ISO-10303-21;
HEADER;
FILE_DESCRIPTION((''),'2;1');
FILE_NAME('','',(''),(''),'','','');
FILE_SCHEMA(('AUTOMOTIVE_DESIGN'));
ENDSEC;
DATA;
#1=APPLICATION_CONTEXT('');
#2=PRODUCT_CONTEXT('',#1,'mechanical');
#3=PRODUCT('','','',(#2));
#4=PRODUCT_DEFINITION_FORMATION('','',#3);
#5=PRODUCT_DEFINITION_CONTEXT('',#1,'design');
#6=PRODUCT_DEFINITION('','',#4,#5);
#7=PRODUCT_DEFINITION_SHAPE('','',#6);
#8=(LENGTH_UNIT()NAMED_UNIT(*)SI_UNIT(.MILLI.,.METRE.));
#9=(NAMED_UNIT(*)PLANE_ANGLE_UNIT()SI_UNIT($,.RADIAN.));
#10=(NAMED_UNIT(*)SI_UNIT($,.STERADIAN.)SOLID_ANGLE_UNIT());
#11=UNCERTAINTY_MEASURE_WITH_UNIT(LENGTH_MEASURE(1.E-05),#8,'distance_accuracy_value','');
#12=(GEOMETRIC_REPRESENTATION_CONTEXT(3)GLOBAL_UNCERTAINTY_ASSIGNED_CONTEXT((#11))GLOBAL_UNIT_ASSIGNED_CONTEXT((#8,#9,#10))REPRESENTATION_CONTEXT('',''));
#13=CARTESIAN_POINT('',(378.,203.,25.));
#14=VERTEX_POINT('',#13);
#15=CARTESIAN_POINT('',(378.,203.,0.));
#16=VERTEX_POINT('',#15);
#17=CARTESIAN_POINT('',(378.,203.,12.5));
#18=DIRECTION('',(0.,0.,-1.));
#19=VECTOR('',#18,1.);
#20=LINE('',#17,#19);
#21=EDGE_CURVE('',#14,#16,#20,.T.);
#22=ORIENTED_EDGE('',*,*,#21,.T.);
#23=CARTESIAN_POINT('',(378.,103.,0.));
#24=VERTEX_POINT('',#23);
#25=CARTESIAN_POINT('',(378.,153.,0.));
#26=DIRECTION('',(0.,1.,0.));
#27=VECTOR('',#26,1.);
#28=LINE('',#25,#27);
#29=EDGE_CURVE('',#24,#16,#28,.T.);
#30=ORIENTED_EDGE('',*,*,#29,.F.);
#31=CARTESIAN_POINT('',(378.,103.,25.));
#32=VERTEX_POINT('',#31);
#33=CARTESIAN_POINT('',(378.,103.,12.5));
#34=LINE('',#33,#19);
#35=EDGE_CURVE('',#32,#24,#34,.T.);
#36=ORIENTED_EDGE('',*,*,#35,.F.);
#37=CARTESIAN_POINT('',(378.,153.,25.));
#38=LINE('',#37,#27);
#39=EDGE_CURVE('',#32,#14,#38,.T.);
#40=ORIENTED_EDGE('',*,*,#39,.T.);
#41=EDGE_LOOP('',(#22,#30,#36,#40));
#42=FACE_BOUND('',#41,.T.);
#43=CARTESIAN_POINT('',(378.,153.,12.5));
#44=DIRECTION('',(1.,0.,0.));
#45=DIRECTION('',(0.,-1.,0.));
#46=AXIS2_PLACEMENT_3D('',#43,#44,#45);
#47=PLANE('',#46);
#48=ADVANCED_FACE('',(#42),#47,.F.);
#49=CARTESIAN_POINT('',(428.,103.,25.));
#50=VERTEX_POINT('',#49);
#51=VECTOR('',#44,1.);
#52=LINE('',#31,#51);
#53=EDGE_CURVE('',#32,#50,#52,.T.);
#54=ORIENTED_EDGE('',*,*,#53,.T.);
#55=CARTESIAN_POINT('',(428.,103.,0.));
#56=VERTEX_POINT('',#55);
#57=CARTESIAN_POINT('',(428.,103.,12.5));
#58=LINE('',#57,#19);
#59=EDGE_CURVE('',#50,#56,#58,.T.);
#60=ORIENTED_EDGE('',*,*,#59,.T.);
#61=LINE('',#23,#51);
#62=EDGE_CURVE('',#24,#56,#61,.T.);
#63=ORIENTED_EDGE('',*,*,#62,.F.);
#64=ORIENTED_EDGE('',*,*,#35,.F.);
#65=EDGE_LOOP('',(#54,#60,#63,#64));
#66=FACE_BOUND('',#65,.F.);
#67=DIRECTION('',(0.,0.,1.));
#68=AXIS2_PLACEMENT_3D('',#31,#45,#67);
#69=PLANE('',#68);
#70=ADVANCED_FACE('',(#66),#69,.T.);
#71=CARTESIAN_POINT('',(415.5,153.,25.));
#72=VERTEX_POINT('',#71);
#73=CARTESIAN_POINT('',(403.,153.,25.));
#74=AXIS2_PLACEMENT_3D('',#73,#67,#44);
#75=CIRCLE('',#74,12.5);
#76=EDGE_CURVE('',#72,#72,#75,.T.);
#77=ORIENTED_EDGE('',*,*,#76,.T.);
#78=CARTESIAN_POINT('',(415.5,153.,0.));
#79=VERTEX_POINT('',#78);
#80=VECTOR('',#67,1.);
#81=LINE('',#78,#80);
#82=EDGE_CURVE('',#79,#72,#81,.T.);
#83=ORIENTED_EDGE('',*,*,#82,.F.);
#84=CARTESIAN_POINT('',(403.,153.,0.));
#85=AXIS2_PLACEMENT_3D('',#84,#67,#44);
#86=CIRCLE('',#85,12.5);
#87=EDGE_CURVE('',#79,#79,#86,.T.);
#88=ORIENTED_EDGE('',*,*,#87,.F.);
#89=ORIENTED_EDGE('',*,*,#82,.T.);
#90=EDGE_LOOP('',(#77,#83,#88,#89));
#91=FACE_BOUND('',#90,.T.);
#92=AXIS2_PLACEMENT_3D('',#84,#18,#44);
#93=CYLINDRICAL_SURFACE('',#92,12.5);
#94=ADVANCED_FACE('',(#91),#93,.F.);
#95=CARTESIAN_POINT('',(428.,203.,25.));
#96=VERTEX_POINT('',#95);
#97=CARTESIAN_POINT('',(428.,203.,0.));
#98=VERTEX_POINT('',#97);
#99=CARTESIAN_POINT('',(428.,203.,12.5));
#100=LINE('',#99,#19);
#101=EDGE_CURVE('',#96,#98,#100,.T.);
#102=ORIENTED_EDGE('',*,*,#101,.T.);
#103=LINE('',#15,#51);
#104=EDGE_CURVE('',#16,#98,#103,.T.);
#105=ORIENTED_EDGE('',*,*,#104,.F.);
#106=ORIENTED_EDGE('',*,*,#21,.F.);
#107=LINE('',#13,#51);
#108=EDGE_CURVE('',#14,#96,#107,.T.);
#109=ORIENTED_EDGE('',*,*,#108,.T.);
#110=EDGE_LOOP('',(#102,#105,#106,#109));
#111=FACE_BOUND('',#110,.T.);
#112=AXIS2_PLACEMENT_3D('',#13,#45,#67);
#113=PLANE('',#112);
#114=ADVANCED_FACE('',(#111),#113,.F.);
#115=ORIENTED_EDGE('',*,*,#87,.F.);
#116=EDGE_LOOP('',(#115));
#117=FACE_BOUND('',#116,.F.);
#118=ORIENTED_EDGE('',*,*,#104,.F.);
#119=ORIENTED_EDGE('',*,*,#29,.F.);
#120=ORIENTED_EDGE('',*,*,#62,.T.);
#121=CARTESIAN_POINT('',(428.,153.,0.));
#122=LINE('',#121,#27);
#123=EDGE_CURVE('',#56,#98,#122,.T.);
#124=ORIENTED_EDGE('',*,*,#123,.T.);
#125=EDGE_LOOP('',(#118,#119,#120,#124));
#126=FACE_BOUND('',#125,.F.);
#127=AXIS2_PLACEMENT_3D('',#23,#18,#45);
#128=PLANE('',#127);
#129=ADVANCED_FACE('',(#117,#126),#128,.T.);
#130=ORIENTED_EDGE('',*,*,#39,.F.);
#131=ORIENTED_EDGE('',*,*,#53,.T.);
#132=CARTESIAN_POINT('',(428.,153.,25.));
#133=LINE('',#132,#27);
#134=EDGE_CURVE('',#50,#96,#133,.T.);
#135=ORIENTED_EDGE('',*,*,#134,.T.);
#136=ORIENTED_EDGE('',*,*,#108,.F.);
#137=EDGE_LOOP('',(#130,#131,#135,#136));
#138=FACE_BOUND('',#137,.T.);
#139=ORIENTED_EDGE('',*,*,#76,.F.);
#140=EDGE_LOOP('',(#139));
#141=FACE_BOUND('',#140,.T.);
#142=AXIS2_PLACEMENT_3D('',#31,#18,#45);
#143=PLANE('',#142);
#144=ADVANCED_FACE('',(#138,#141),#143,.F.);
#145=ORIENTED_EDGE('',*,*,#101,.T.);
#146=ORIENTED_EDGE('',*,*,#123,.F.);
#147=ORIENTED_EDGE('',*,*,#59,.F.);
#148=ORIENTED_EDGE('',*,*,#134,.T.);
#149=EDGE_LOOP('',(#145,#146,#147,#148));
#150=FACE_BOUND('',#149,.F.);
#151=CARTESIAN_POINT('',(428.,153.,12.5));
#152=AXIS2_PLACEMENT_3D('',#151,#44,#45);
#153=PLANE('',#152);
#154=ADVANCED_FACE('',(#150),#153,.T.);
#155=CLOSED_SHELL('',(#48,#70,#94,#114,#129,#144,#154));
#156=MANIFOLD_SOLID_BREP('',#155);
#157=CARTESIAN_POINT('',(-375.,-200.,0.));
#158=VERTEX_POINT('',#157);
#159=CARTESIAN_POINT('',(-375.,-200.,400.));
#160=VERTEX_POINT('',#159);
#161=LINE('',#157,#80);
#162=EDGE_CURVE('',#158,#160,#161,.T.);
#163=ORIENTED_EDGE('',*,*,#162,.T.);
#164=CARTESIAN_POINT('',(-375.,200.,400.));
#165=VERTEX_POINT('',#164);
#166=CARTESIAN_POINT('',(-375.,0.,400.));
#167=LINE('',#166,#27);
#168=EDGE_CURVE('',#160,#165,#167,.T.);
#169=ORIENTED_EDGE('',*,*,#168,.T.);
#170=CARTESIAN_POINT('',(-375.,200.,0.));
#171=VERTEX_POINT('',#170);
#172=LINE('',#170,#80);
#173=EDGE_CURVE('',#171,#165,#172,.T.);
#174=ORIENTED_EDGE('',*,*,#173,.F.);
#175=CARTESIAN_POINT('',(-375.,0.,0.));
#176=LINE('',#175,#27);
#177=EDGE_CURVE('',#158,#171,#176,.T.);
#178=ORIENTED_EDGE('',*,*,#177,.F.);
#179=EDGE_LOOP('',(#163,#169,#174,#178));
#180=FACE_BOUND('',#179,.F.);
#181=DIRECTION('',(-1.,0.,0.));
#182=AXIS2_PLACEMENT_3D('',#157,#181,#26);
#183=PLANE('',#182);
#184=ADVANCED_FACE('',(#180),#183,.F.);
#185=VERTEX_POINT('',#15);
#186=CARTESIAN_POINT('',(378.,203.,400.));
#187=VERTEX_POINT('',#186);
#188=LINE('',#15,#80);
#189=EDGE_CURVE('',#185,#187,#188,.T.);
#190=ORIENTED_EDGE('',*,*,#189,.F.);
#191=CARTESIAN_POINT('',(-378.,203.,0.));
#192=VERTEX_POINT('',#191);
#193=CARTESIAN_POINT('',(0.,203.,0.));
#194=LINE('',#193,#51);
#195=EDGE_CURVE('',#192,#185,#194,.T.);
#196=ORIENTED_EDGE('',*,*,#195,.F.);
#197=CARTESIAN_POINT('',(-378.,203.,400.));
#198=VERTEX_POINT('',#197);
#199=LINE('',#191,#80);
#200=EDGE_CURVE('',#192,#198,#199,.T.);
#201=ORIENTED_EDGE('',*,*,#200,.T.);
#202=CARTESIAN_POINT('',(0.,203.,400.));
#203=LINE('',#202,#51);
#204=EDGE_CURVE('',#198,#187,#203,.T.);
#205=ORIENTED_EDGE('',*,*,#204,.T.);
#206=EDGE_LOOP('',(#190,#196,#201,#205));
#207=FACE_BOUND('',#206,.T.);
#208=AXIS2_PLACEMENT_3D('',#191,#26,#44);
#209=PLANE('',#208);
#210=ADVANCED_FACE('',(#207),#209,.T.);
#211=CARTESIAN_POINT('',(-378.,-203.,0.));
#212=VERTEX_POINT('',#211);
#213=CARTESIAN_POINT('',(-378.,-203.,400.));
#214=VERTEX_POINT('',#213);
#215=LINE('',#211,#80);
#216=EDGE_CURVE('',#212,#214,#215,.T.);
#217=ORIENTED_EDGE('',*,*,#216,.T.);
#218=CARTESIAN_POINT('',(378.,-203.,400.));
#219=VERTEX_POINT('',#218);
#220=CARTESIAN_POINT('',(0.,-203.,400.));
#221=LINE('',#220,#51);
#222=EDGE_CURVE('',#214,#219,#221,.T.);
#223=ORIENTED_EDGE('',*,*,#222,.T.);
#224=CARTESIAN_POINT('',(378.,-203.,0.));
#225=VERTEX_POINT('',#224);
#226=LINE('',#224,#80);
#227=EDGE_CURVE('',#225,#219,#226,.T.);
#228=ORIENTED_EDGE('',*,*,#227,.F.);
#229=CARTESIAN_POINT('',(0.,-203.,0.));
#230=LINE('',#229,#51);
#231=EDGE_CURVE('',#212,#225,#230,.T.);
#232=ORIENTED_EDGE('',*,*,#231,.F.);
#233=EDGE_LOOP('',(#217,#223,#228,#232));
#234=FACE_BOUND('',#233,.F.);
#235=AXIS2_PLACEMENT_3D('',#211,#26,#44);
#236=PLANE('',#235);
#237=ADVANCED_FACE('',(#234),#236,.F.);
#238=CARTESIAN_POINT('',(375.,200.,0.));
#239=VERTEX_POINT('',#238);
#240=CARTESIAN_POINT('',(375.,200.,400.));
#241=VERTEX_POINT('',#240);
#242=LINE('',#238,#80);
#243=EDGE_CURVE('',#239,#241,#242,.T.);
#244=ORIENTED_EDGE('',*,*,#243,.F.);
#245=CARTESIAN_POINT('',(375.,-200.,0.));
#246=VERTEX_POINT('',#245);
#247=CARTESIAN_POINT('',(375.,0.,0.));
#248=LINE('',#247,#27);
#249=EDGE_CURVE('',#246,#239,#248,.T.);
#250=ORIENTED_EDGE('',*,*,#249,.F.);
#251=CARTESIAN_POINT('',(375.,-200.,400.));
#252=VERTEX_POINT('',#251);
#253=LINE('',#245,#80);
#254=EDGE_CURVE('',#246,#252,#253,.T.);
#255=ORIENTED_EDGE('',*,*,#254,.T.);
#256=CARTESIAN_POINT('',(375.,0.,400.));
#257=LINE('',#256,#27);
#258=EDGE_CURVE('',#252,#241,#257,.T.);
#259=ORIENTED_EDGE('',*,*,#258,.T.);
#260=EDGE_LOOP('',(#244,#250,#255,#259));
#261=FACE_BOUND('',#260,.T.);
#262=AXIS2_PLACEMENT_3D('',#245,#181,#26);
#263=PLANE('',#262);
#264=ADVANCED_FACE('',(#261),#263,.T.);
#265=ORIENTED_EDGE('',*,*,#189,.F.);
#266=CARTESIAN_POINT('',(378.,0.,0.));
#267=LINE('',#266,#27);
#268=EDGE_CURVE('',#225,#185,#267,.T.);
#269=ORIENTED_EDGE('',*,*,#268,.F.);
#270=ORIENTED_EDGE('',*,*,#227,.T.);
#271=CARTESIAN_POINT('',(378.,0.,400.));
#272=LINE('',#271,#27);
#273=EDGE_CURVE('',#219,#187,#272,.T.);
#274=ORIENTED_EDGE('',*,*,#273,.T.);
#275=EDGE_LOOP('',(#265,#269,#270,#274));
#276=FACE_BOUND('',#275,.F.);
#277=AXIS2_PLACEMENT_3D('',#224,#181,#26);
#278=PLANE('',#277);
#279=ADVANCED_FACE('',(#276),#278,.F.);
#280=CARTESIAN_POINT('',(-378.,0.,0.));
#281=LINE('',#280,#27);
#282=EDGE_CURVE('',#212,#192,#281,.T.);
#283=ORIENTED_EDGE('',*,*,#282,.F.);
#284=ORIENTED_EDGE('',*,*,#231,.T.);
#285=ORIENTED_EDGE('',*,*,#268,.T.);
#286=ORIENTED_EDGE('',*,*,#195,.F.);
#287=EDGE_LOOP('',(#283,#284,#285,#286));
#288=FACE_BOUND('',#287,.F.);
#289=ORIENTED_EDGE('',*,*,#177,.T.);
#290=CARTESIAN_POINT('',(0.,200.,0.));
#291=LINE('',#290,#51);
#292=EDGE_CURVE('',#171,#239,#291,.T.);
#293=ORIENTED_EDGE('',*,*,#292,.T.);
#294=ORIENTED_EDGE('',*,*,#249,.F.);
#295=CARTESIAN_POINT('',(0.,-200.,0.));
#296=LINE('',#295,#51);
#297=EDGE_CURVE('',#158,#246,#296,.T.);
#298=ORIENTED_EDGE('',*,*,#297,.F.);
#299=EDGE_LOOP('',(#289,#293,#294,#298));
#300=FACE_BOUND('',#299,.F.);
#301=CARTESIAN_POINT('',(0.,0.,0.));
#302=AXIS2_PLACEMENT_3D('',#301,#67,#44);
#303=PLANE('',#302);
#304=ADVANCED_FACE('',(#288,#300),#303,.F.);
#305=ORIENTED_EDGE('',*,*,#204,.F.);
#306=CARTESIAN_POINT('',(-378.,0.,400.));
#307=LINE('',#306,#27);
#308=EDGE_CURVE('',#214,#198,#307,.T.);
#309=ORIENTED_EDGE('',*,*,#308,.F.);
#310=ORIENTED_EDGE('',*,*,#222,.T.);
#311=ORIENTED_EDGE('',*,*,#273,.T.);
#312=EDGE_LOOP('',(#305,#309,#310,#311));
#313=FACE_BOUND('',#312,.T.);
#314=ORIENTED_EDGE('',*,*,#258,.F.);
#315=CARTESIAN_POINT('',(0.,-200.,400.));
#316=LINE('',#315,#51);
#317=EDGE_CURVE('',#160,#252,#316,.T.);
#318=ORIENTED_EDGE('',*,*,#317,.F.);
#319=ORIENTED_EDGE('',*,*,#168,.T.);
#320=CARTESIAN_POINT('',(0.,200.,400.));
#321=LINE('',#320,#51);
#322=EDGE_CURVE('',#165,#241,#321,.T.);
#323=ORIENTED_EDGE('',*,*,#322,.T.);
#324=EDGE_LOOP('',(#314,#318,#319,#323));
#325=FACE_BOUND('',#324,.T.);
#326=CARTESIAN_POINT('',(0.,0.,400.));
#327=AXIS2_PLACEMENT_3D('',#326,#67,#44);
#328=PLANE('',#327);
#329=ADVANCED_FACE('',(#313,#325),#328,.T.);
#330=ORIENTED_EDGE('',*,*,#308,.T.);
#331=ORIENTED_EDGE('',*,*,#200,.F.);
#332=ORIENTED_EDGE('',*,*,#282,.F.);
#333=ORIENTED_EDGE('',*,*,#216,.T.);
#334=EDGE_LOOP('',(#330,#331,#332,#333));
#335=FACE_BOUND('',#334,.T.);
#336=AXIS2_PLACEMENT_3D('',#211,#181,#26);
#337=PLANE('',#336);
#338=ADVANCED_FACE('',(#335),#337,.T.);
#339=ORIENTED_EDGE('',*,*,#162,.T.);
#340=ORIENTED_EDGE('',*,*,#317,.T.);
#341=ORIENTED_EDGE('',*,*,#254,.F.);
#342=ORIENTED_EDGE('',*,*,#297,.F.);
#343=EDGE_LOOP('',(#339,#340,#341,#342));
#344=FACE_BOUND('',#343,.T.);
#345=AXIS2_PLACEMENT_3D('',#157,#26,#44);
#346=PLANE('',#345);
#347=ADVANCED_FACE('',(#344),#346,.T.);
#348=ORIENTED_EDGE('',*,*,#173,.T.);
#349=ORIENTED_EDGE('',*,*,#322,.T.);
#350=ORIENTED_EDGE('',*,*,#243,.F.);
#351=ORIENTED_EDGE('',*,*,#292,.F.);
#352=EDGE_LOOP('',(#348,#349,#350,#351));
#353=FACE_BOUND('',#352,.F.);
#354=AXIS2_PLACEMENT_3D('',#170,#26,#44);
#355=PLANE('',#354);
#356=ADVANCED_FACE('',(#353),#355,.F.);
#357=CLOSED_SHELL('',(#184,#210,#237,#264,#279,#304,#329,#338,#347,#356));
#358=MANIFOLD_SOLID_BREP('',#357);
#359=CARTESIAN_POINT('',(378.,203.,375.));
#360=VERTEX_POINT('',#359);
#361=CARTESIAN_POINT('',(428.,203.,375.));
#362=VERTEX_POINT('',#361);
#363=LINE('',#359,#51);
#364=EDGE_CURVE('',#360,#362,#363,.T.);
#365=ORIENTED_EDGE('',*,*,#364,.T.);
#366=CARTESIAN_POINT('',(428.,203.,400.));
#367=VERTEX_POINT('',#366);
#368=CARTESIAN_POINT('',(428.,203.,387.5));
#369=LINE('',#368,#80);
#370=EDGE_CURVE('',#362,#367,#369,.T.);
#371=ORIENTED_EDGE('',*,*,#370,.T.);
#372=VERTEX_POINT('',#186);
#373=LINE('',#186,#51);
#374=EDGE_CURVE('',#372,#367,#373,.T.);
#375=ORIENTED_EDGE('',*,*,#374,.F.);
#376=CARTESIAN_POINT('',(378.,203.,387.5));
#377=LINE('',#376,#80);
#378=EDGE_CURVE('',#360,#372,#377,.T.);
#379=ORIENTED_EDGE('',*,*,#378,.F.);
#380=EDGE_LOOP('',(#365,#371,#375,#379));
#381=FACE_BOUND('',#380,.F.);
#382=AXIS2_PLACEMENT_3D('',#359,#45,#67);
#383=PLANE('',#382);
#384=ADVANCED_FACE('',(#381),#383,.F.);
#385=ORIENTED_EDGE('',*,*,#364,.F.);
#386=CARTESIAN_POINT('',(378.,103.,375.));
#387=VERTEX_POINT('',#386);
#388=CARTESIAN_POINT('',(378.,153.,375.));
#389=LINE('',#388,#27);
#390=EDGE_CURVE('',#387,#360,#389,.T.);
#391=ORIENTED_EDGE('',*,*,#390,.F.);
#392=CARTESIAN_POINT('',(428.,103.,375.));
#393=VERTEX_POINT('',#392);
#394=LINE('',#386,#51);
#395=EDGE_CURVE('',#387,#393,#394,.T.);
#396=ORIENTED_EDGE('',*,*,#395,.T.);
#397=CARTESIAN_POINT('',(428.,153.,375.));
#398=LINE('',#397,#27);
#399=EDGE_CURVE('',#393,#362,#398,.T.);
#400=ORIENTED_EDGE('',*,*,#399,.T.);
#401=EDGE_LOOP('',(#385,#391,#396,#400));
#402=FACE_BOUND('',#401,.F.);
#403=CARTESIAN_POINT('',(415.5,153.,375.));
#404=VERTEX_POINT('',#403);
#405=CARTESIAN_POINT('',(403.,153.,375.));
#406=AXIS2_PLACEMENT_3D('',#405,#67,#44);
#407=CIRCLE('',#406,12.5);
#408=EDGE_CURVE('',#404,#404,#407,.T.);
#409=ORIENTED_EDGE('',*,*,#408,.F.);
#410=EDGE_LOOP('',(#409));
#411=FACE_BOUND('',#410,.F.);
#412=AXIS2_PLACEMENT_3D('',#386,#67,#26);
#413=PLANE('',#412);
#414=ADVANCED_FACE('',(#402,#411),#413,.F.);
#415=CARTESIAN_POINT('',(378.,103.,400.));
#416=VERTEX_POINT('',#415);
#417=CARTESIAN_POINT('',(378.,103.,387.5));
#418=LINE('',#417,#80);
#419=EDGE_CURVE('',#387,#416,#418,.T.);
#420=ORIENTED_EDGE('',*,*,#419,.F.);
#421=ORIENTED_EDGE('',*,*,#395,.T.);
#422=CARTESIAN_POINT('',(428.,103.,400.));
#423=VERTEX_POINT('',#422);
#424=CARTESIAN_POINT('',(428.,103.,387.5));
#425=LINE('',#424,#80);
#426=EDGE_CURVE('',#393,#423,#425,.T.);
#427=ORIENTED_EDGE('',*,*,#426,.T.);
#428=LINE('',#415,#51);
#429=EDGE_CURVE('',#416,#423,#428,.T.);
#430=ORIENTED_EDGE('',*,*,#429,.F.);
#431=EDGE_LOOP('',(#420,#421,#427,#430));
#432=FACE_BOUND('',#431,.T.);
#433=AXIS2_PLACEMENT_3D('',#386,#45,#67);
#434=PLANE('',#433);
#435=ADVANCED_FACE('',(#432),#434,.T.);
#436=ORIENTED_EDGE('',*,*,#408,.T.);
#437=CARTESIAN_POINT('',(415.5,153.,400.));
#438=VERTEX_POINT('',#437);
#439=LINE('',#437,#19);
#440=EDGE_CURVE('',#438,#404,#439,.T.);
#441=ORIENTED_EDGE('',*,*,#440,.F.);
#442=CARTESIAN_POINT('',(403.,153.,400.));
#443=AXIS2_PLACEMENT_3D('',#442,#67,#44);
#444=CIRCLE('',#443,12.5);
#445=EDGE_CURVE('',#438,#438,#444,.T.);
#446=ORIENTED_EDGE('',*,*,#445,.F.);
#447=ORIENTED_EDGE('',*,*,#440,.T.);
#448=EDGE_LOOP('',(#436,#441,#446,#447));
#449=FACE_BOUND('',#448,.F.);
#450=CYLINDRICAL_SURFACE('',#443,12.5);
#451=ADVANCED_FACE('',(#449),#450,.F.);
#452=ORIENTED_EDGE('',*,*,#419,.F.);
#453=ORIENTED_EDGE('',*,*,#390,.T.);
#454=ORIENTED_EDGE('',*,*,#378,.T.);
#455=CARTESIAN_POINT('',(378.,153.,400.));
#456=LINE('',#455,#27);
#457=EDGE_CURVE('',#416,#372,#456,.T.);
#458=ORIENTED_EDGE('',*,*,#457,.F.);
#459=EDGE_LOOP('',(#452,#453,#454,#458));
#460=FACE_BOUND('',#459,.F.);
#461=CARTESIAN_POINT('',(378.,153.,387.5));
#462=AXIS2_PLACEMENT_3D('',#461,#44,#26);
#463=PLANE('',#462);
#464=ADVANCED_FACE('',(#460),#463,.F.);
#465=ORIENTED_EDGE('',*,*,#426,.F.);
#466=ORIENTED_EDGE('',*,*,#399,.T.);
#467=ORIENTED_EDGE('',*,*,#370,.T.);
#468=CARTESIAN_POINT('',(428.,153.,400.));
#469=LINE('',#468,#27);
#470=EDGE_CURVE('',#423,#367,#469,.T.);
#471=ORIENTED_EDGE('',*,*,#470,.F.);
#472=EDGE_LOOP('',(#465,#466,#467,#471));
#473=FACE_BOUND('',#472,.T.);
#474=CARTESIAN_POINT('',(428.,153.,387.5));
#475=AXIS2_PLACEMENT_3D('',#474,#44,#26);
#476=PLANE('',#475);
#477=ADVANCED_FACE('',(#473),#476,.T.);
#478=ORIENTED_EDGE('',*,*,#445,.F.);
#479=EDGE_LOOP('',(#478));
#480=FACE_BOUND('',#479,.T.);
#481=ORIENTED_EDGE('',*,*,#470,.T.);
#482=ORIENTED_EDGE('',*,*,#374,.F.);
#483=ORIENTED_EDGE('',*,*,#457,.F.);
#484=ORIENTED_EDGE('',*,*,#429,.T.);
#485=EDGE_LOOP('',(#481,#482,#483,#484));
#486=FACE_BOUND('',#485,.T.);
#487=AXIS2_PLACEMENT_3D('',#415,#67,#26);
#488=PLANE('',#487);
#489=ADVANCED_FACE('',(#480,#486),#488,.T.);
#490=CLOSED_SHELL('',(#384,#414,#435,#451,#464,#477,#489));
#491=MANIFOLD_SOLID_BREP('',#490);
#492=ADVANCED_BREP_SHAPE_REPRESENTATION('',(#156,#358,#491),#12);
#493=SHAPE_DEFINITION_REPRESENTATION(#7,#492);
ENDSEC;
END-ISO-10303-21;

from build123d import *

# Parameters (mm, degrees)
F0_W     = 756
F0_H     = 406
F0_W_2   = 750
F0_H_2   = 400
F1_DEPTH = 400
F2_W     = 100
F2_H     = 25
F3_DEPTH = 50
F4_R     = 12.5
F5_DEPTH = 25


with BuildPart() as f1:
    # F0 (on Top) → F1 (new body)
    with BuildSketch(Plane.XY):
        Rectangle(F0_W, F0_H)
        Rectangle(F0_W_2, F0_H_2, mode=Mode.SUBTRACT)
    extrude(amount=F1_DEPTH)


with BuildPart() as f3:
    # F2 (on face) → F3 (new body)
    with BuildSketch(Plane.YZ.offset(378)):
        with Locations((153, 387.5)):
            Rectangle(F2_W, F2_H)
    extrude(amount=F3_DEPTH)

    # F4 (on face) → F5 (cut)
    with BuildSketch(Plane.XY.offset(400)):
        with Locations((403, 153)):
            Circle(F4_R)
    extrude(amount=-F5_DEPTH, mode=Mode.SUBTRACT)


with BuildPart() as f7_1:
    # F7: instance of F3
    add(f3.part.mirror(Plane.XY.offset(200)))


solid = Compound([f1.part, f3.part, f7_1.part])
